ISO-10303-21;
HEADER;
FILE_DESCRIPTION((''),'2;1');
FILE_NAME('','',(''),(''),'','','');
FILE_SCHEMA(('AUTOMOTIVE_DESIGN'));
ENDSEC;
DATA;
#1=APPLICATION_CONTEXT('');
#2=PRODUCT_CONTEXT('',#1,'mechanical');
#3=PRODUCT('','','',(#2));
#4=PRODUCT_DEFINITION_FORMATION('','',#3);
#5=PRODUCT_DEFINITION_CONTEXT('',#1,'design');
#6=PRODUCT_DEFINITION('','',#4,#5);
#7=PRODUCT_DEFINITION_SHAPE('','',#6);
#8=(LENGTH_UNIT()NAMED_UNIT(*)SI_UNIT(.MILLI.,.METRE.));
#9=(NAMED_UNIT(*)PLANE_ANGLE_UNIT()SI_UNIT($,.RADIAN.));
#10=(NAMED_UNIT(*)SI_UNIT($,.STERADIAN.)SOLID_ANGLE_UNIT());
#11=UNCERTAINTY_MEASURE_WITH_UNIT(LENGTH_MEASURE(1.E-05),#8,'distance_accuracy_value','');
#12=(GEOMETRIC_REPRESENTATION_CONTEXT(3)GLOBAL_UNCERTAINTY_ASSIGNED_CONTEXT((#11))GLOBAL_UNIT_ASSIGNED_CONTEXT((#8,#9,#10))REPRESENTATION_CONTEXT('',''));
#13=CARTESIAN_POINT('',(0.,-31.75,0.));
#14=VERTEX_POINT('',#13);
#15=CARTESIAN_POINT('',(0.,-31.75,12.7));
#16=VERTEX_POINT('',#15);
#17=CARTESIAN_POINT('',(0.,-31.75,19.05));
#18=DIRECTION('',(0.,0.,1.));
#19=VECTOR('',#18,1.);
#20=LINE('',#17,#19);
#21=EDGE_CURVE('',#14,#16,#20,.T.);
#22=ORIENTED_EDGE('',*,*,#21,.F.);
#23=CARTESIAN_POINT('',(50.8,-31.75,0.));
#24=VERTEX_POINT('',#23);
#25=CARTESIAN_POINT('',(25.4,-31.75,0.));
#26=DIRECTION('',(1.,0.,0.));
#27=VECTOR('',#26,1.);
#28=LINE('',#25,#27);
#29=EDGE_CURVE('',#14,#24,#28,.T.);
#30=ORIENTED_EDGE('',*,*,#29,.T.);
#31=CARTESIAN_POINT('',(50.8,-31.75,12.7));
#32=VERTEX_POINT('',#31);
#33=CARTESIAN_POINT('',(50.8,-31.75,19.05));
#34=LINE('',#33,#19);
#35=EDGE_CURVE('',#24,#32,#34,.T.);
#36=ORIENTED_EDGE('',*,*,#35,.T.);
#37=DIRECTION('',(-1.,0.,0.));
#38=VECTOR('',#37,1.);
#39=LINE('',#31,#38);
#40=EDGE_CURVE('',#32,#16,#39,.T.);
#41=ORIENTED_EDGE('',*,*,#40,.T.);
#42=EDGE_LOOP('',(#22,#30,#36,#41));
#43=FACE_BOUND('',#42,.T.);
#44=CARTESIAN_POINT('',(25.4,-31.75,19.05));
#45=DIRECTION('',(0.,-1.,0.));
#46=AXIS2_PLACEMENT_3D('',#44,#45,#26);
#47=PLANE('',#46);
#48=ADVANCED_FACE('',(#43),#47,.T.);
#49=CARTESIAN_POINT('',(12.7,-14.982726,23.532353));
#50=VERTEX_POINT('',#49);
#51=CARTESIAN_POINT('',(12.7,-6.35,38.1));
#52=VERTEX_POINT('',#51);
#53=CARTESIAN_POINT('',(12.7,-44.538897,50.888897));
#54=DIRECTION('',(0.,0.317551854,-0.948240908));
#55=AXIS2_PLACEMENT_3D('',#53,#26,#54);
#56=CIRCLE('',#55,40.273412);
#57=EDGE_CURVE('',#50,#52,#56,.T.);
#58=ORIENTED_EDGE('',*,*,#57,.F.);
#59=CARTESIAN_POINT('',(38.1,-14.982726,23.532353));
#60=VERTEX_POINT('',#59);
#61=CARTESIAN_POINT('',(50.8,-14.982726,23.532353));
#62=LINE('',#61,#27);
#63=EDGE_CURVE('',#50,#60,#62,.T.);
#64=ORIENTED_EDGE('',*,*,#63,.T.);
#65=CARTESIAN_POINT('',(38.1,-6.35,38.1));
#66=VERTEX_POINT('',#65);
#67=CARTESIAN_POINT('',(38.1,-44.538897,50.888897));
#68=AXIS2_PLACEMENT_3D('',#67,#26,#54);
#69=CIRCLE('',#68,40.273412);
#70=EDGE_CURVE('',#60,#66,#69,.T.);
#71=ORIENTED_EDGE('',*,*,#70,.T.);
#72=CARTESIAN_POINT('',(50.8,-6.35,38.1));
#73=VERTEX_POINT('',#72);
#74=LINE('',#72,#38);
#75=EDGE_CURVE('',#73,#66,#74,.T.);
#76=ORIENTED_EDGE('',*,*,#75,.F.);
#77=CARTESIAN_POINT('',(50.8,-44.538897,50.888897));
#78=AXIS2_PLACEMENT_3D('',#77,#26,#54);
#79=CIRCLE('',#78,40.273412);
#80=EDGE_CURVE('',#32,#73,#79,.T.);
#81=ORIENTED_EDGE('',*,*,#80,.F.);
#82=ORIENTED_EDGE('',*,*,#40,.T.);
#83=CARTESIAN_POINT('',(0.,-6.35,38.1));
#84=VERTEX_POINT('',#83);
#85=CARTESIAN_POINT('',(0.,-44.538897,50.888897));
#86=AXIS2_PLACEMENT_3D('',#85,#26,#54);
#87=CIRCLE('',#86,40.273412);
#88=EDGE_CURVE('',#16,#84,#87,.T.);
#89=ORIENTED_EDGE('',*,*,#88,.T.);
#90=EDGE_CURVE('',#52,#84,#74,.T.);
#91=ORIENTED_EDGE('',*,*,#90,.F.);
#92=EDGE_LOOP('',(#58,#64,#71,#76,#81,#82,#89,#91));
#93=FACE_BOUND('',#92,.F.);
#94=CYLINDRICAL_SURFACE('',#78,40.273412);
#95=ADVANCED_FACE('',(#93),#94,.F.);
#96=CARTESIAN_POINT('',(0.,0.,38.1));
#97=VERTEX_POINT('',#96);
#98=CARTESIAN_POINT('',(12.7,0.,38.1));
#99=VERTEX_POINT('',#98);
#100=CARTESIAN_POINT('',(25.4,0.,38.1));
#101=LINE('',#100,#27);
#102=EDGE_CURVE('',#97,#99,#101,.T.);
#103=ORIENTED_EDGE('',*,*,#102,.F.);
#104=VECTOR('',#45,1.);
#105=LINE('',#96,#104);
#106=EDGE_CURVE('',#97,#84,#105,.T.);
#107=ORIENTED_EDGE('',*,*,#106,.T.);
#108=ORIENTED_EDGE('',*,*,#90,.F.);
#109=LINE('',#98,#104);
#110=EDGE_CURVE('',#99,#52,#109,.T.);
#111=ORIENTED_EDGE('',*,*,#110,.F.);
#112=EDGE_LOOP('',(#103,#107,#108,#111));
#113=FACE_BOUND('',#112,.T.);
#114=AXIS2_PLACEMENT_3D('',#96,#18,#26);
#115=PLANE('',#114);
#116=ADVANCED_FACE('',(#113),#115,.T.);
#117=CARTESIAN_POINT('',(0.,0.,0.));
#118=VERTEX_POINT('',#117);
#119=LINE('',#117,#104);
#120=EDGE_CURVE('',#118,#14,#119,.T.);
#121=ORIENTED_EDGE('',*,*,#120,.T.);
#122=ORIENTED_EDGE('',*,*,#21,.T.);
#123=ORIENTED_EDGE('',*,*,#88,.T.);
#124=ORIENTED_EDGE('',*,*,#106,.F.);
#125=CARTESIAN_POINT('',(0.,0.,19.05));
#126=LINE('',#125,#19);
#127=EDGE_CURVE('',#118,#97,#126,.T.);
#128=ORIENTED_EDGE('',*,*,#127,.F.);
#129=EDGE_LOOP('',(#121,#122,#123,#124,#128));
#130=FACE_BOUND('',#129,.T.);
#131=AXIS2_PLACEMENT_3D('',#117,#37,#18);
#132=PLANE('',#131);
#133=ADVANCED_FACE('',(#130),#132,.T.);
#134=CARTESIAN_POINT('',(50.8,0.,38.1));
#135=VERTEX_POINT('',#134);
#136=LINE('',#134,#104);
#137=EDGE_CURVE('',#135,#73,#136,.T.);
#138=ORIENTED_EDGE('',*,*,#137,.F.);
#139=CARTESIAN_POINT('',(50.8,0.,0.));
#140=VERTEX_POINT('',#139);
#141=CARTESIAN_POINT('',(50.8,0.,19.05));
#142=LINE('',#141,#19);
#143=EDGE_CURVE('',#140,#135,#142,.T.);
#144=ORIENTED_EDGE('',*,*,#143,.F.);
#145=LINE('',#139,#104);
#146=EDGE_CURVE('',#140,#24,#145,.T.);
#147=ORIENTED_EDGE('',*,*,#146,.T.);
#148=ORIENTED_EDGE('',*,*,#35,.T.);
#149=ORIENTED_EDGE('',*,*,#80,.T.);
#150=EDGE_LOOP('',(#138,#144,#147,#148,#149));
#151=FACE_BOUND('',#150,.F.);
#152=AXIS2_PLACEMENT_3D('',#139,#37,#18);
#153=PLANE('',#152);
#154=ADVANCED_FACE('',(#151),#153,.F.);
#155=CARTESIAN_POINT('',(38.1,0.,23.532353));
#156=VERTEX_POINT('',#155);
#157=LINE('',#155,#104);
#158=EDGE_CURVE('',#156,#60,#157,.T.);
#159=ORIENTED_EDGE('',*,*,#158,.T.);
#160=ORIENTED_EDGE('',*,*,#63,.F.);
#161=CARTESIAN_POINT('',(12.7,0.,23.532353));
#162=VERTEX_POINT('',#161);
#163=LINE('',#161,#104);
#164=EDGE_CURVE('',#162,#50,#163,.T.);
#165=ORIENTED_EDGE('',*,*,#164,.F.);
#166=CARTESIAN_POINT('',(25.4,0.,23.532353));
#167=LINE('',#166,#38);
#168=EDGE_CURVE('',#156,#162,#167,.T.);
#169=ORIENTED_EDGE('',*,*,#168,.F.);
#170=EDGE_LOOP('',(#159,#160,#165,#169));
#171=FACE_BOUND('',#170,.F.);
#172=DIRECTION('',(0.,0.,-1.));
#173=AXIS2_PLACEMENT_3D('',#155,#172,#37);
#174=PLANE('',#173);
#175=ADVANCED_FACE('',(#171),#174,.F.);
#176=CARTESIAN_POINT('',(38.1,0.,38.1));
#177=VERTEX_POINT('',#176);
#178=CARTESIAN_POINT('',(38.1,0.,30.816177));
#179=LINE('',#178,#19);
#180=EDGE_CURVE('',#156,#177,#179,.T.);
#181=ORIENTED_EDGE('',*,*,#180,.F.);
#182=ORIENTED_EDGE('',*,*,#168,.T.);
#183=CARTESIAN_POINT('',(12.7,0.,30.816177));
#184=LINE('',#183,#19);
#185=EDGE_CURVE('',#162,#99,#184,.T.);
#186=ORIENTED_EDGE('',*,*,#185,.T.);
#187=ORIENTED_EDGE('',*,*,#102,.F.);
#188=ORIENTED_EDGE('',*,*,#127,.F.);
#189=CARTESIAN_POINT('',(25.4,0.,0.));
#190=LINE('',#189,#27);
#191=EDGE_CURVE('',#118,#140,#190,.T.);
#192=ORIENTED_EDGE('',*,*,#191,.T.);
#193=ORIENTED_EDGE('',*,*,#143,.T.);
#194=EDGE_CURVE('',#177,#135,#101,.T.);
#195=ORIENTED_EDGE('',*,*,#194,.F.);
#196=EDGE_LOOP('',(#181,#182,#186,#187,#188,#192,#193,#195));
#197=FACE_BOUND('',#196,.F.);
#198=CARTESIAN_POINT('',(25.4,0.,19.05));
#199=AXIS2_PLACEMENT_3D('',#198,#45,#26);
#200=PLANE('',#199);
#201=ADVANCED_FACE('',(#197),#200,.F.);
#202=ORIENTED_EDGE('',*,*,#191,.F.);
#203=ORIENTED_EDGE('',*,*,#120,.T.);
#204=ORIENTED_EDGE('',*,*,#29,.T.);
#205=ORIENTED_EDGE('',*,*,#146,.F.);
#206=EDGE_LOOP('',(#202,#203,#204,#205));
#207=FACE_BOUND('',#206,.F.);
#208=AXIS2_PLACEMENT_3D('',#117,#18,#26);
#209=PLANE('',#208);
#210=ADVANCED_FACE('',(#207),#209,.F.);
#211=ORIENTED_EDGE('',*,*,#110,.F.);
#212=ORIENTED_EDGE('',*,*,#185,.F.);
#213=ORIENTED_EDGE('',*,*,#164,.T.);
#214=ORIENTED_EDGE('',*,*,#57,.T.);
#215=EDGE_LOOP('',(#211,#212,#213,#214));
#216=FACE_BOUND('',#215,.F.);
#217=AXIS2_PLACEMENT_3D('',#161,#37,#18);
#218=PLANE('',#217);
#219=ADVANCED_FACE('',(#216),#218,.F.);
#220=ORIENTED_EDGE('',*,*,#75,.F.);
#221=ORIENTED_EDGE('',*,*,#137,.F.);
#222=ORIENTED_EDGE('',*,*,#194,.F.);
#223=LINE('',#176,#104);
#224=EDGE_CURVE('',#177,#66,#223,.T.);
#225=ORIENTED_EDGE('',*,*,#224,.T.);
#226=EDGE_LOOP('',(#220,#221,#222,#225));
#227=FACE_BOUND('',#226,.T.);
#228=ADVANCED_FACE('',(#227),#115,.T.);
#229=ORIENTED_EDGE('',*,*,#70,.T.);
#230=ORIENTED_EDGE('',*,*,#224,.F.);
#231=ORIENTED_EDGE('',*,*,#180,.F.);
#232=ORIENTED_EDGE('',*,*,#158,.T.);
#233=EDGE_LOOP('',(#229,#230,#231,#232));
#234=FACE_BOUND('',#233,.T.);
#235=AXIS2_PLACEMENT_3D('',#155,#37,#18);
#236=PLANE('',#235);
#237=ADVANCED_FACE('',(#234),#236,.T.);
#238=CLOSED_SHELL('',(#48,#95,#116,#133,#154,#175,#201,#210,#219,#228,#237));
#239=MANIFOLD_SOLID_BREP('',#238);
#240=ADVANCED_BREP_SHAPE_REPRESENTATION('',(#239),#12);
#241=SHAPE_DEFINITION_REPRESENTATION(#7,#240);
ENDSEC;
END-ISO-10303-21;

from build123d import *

# Parameters (mm, degrees)
F0_W     = 50.8
F0_H     = 38.1
F1_DEPTH = 31.75
F3_DEPTH = 50.8
F4_W     = 25.4
F4_H     = 14.567647
F5_DEPTH = 25.4


with BuildPart() as f1:
    # F0 (on Front) → F1 (new body)
    with BuildSketch(Plane.XZ):
        with Locations((25.4, 19.05)):
            Rectangle(F0_W, F0_H)
    extrude(amount=F1_DEPTH)

    # F2 (on face) → F3 (cut)
    with BuildSketch(Plane.YZ.offset(50.8)):
        with BuildLine():
            Line((-31.75, 38.1), (-31.75, 12.7))
            ThreePointArc((-31.75, 12.7), (-16.061294, 22.411294), (-6.35, 38.1))
            Line((-6.35, 38.1), (-31.75, 38.1))
        make_face()
    extrude(amount=-F3_DEPTH, mode=Mode.SUBTRACT)

    # F4 (on face) → F5 (cut)
    with BuildSketch(Plane(origin=(0, 0, 0), x_dir=(-1, 0, 0), z_dir=(0, 1, 0))):
        with Locations((-25.4, 30.816177)):
            Rectangle(F4_W, F4_H)
    extrude(amount=-F5_DEPTH, mode=Mode.SUBTRACT)


solid = f1.part
